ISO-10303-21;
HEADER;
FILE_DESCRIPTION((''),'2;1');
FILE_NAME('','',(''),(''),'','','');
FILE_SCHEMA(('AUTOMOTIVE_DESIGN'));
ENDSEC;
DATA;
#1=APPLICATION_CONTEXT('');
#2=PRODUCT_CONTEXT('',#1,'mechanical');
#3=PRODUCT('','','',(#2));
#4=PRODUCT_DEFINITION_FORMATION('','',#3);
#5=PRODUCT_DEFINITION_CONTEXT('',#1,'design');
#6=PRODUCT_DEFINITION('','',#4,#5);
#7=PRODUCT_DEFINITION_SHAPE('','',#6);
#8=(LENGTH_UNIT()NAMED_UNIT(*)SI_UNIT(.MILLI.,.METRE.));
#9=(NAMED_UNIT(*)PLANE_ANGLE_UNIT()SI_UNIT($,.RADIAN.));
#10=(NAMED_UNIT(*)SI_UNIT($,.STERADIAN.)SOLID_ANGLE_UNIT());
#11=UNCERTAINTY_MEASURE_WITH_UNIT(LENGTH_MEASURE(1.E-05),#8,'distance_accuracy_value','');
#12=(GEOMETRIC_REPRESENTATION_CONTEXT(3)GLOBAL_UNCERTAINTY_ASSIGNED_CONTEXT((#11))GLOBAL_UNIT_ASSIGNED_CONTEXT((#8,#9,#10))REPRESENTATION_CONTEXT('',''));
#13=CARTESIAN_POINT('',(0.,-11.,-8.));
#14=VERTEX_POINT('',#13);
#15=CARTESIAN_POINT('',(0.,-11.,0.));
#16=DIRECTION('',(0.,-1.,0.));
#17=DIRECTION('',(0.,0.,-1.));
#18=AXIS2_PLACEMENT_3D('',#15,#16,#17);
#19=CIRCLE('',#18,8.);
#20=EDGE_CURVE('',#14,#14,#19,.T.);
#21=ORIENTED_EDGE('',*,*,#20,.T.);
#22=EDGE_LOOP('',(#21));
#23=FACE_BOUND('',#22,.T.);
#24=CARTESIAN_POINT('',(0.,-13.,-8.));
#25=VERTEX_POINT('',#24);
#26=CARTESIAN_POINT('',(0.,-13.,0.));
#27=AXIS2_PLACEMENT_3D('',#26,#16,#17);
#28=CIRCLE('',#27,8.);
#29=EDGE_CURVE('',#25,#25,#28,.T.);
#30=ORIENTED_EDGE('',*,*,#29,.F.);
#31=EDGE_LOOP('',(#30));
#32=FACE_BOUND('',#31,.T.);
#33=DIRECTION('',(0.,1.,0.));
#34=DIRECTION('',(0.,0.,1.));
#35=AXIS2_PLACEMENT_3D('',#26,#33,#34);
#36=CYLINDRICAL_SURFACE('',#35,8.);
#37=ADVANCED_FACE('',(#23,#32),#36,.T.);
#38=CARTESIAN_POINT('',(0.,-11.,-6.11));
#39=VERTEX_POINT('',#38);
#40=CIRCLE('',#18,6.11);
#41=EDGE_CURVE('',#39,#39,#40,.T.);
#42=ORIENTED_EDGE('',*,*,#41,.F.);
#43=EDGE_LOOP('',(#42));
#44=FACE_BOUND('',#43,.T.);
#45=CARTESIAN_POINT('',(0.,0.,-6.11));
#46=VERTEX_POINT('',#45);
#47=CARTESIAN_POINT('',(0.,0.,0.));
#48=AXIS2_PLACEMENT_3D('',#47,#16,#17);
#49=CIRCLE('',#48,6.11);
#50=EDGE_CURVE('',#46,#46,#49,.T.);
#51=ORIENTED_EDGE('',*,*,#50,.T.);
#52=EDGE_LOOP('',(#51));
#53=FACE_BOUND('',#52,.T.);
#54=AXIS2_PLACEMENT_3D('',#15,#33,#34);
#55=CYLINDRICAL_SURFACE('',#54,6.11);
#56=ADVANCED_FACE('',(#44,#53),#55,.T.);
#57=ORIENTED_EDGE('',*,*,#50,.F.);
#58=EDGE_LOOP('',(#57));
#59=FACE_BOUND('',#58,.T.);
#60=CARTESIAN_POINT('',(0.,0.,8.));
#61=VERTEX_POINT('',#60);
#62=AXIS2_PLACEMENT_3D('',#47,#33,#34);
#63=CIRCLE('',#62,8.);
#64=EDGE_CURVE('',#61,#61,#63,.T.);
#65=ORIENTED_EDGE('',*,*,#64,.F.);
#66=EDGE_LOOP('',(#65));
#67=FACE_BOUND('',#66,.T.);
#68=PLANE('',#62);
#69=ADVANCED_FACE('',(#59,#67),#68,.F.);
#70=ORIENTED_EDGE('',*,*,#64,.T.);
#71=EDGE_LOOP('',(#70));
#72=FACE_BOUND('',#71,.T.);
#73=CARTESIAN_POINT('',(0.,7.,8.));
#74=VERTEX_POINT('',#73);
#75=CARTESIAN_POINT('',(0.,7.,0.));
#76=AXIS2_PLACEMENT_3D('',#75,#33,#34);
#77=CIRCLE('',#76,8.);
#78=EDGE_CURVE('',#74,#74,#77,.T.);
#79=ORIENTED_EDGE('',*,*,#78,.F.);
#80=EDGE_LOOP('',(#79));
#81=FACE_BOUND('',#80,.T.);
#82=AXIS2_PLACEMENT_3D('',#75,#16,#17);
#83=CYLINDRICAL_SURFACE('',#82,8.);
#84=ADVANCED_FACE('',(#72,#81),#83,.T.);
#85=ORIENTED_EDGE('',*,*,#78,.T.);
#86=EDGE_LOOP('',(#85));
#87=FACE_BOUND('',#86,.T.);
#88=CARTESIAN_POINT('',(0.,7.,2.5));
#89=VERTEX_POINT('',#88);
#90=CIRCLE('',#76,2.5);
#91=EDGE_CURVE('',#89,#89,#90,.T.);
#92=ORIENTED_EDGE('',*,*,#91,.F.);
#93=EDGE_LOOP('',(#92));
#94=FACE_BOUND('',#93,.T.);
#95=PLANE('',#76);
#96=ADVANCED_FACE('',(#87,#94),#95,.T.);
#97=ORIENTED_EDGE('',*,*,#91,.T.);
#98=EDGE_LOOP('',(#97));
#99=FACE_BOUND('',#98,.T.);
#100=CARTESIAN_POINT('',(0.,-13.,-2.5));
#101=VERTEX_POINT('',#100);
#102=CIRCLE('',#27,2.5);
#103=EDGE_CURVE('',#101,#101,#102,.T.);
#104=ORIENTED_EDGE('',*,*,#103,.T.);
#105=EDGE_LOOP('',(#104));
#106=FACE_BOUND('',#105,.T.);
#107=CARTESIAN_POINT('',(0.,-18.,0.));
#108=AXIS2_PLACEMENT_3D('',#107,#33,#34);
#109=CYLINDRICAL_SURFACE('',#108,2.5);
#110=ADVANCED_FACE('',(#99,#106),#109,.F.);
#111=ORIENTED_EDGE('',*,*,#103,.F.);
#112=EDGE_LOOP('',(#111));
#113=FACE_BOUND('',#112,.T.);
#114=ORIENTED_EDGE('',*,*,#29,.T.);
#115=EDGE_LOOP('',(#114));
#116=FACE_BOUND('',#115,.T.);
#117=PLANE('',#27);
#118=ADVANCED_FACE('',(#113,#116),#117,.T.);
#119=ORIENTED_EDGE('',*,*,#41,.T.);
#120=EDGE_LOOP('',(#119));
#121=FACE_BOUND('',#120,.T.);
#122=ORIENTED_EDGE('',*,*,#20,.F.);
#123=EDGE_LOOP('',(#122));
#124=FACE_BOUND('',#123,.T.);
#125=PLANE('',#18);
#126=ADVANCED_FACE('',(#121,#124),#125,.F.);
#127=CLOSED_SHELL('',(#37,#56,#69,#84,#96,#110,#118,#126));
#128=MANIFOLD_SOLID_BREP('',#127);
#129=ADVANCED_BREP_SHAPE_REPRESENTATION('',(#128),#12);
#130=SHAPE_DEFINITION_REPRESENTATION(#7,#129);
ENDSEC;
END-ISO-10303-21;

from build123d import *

# Parameters (mm, degrees)
SKETCH_1_R          = 8
EXTRUDE_1_DEPTH     = 7
SKETCH_2_R          = 6.11
EXTRUDE_2_DEPTH     = 11
EXTRUDE_START       = 2
SKETCH_3_R          = 8
EXTRUDE_3_DEPTH     = 2
SKETCH_4_R          = 2.5
CUT_EXTRUDE_1_DEPTH = 25


with BuildPart() as part:
    # 草图1 → 凸台-拉伸1 (new body)
    with BuildSketch(Plane(origin=(0, 0, 0), x_dir=(1, 0, 0), z_dir=(0, 1, 0))):
        with Locations(Location((0, 0, 0), (0, 0, 270))):
            Circle(SKETCH_1_R)
    extrude(amount=EXTRUDE_1_DEPTH)

    # 草图2 → 凸台-拉伸2 (add)
    with BuildSketch(Plane.XZ):
        with Locations(Location((0, 0, 0), (0, 0, 270))):
            Circle(SKETCH_2_R)
    extrude(amount=EXTRUDE_2_DEPTH)

    # 草图3 → 凸台-拉伸3 (add)
    with BuildSketch(Plane.XZ.offset(11).offset(EXTRUDE_START)):
        with Locations(Location((0, 0, 0), (0, 0, 90))):
            Circle(SKETCH_3_R)
    extrude(amount=-EXTRUDE_3_DEPTH)

    # 草图4 → 切除-拉伸1 (cut)
    with BuildSketch(Plane(origin=(0, 7, 0), x_dir=(1, 0, 0), z_dir=(0, 1, 0))):
        with Locations(Location((0, 0, 0), (0, 0, 270))):
            Circle(SKETCH_4_R)
    extrude(amount=-CUT_EXTRUDE_1_DEPTH, mode=Mode.SUBTRACT)


solid = part.part
